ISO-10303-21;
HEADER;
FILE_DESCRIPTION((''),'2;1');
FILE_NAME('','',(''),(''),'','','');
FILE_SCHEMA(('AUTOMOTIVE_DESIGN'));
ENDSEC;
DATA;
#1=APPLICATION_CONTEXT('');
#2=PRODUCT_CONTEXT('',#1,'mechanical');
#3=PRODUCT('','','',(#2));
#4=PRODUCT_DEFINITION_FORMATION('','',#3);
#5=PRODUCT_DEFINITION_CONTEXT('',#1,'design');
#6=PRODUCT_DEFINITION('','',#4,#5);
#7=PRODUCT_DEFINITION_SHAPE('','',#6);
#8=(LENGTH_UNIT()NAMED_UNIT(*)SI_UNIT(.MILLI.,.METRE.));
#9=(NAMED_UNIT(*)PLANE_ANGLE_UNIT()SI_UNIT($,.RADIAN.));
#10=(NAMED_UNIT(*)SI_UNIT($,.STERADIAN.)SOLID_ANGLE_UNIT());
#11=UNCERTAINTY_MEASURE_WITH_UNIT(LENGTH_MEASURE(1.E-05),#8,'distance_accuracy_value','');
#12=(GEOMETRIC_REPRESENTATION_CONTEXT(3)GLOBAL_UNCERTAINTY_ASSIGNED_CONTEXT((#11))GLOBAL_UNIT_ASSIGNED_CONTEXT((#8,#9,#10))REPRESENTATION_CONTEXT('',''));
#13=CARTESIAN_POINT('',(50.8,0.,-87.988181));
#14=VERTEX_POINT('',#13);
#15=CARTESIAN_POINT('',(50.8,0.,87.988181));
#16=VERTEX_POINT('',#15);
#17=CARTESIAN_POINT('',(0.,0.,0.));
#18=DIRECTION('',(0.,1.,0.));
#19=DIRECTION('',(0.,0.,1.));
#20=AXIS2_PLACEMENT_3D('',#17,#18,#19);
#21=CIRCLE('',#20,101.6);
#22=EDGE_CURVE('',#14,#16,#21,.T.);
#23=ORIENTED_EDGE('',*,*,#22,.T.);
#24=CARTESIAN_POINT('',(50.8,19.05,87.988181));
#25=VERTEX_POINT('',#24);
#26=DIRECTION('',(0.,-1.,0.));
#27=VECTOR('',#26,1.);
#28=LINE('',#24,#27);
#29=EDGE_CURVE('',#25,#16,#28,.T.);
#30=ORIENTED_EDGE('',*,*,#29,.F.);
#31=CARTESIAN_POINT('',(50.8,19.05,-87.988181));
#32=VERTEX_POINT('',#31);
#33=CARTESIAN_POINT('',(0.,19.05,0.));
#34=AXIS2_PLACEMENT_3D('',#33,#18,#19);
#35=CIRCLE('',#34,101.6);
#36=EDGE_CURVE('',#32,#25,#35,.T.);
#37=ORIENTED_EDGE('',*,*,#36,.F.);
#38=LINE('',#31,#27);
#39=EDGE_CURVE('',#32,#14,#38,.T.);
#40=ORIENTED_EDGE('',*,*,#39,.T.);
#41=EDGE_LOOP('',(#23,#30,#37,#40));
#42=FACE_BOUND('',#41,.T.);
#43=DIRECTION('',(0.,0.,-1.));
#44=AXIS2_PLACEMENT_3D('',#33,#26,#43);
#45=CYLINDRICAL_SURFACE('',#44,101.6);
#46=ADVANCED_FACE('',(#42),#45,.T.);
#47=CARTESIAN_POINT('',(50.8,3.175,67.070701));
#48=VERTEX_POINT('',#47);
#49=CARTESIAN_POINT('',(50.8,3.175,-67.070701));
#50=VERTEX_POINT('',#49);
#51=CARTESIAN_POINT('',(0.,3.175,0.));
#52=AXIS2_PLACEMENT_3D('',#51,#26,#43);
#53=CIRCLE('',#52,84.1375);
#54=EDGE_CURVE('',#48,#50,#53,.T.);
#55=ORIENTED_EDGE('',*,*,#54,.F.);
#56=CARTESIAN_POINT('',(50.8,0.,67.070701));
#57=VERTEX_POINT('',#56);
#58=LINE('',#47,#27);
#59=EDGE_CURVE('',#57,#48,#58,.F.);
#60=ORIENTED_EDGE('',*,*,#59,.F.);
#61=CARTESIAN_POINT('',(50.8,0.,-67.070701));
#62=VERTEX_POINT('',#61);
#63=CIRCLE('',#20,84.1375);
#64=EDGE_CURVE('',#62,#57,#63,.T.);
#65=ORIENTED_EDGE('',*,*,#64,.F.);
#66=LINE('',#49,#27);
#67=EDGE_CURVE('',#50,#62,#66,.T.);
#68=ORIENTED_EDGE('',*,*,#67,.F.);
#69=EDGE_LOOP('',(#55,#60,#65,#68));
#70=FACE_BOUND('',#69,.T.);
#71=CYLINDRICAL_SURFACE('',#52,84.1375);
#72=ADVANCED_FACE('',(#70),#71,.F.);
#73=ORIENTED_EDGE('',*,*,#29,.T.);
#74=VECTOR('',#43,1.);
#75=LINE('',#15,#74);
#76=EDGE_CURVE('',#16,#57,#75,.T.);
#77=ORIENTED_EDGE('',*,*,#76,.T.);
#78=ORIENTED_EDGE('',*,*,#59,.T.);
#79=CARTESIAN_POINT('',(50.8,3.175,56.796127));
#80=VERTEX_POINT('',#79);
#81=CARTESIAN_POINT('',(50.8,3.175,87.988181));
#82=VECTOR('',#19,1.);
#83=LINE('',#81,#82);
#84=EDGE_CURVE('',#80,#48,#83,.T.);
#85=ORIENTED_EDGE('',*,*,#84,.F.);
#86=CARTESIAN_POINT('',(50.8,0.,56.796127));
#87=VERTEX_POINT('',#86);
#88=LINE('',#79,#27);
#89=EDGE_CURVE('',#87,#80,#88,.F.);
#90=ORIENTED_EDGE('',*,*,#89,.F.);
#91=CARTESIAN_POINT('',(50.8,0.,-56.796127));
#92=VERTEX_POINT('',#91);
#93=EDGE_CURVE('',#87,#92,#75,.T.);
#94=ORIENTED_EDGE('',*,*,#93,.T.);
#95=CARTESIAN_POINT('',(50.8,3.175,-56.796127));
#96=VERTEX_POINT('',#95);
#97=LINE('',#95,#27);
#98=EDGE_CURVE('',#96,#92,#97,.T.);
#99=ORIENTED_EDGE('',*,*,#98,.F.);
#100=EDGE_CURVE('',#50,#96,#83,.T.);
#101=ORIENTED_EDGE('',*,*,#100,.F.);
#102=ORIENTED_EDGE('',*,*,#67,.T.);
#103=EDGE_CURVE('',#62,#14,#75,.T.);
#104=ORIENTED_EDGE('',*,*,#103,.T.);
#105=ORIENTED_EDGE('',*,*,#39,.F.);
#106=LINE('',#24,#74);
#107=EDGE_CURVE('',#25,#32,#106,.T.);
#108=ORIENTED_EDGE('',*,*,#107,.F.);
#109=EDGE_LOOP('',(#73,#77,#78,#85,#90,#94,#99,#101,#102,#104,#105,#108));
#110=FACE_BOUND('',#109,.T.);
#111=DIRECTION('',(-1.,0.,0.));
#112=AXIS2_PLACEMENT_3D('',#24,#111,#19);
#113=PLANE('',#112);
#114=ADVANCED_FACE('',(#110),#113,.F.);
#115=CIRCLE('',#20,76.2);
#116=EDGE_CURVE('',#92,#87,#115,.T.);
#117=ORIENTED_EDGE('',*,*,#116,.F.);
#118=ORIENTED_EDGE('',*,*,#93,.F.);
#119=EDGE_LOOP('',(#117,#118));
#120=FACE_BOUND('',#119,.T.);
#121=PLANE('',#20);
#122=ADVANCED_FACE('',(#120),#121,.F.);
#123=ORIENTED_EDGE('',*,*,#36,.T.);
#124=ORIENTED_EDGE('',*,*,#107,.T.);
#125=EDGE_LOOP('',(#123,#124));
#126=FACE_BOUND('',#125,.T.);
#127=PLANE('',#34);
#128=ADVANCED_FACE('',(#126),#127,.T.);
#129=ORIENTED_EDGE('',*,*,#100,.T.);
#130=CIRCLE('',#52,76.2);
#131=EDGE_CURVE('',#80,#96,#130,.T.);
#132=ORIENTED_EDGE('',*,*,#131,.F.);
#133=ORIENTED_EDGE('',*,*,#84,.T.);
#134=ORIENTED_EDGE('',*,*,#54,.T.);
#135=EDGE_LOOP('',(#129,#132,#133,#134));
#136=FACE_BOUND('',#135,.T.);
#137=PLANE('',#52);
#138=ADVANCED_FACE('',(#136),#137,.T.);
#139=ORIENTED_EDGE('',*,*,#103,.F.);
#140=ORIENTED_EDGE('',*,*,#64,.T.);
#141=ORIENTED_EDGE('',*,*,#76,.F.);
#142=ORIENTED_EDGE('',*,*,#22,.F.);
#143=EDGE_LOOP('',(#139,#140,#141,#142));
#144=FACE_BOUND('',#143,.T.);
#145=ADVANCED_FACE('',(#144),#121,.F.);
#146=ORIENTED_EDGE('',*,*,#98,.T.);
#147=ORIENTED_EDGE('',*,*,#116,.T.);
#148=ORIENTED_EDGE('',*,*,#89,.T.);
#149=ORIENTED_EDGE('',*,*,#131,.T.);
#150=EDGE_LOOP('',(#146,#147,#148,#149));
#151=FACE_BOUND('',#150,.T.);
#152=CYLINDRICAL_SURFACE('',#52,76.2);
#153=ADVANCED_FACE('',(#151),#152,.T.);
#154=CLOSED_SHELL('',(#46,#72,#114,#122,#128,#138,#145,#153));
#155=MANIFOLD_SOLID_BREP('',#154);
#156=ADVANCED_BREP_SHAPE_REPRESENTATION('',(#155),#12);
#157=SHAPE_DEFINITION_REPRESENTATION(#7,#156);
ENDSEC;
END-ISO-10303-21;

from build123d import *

# Parameters (mm, degrees)
BOSS_EXTRUDE1_DEPTH = 19.05
SKETCH2_R           = 84.1375
SKETCH2_R_2         = 76.2
CUT_EXTRUDE1_DEPTH  = 3.175


with BuildPart() as part:
    # Sketch1 → Boss-Extrude1 (new body)
    with BuildSketch(Plane(origin=(0, 0, 0), x_dir=(1, 0, 0), z_dir=(0, 1, 0))):
        with BuildLine():
            Line((50.8, -87.988181024), (50.8, 87.988181024))
            ThreePointArc((50.8, 87.988181024), (-101.6, 0), (50.8, -87.988181024))
        make_face()
    extrude(amount=BOSS_EXTRUDE1_DEPTH)

    # Sketch2 → Cut-Extrude1 (cut)
    with BuildSketch(Plane.XZ):
        Circle(SKETCH2_R)
        Circle(SKETCH2_R_2, mode=Mode.SUBTRACT)
    extrude(amount=-CUT_EXTRUDE1_DEPTH, mode=Mode.SUBTRACT)


solid = part.part
